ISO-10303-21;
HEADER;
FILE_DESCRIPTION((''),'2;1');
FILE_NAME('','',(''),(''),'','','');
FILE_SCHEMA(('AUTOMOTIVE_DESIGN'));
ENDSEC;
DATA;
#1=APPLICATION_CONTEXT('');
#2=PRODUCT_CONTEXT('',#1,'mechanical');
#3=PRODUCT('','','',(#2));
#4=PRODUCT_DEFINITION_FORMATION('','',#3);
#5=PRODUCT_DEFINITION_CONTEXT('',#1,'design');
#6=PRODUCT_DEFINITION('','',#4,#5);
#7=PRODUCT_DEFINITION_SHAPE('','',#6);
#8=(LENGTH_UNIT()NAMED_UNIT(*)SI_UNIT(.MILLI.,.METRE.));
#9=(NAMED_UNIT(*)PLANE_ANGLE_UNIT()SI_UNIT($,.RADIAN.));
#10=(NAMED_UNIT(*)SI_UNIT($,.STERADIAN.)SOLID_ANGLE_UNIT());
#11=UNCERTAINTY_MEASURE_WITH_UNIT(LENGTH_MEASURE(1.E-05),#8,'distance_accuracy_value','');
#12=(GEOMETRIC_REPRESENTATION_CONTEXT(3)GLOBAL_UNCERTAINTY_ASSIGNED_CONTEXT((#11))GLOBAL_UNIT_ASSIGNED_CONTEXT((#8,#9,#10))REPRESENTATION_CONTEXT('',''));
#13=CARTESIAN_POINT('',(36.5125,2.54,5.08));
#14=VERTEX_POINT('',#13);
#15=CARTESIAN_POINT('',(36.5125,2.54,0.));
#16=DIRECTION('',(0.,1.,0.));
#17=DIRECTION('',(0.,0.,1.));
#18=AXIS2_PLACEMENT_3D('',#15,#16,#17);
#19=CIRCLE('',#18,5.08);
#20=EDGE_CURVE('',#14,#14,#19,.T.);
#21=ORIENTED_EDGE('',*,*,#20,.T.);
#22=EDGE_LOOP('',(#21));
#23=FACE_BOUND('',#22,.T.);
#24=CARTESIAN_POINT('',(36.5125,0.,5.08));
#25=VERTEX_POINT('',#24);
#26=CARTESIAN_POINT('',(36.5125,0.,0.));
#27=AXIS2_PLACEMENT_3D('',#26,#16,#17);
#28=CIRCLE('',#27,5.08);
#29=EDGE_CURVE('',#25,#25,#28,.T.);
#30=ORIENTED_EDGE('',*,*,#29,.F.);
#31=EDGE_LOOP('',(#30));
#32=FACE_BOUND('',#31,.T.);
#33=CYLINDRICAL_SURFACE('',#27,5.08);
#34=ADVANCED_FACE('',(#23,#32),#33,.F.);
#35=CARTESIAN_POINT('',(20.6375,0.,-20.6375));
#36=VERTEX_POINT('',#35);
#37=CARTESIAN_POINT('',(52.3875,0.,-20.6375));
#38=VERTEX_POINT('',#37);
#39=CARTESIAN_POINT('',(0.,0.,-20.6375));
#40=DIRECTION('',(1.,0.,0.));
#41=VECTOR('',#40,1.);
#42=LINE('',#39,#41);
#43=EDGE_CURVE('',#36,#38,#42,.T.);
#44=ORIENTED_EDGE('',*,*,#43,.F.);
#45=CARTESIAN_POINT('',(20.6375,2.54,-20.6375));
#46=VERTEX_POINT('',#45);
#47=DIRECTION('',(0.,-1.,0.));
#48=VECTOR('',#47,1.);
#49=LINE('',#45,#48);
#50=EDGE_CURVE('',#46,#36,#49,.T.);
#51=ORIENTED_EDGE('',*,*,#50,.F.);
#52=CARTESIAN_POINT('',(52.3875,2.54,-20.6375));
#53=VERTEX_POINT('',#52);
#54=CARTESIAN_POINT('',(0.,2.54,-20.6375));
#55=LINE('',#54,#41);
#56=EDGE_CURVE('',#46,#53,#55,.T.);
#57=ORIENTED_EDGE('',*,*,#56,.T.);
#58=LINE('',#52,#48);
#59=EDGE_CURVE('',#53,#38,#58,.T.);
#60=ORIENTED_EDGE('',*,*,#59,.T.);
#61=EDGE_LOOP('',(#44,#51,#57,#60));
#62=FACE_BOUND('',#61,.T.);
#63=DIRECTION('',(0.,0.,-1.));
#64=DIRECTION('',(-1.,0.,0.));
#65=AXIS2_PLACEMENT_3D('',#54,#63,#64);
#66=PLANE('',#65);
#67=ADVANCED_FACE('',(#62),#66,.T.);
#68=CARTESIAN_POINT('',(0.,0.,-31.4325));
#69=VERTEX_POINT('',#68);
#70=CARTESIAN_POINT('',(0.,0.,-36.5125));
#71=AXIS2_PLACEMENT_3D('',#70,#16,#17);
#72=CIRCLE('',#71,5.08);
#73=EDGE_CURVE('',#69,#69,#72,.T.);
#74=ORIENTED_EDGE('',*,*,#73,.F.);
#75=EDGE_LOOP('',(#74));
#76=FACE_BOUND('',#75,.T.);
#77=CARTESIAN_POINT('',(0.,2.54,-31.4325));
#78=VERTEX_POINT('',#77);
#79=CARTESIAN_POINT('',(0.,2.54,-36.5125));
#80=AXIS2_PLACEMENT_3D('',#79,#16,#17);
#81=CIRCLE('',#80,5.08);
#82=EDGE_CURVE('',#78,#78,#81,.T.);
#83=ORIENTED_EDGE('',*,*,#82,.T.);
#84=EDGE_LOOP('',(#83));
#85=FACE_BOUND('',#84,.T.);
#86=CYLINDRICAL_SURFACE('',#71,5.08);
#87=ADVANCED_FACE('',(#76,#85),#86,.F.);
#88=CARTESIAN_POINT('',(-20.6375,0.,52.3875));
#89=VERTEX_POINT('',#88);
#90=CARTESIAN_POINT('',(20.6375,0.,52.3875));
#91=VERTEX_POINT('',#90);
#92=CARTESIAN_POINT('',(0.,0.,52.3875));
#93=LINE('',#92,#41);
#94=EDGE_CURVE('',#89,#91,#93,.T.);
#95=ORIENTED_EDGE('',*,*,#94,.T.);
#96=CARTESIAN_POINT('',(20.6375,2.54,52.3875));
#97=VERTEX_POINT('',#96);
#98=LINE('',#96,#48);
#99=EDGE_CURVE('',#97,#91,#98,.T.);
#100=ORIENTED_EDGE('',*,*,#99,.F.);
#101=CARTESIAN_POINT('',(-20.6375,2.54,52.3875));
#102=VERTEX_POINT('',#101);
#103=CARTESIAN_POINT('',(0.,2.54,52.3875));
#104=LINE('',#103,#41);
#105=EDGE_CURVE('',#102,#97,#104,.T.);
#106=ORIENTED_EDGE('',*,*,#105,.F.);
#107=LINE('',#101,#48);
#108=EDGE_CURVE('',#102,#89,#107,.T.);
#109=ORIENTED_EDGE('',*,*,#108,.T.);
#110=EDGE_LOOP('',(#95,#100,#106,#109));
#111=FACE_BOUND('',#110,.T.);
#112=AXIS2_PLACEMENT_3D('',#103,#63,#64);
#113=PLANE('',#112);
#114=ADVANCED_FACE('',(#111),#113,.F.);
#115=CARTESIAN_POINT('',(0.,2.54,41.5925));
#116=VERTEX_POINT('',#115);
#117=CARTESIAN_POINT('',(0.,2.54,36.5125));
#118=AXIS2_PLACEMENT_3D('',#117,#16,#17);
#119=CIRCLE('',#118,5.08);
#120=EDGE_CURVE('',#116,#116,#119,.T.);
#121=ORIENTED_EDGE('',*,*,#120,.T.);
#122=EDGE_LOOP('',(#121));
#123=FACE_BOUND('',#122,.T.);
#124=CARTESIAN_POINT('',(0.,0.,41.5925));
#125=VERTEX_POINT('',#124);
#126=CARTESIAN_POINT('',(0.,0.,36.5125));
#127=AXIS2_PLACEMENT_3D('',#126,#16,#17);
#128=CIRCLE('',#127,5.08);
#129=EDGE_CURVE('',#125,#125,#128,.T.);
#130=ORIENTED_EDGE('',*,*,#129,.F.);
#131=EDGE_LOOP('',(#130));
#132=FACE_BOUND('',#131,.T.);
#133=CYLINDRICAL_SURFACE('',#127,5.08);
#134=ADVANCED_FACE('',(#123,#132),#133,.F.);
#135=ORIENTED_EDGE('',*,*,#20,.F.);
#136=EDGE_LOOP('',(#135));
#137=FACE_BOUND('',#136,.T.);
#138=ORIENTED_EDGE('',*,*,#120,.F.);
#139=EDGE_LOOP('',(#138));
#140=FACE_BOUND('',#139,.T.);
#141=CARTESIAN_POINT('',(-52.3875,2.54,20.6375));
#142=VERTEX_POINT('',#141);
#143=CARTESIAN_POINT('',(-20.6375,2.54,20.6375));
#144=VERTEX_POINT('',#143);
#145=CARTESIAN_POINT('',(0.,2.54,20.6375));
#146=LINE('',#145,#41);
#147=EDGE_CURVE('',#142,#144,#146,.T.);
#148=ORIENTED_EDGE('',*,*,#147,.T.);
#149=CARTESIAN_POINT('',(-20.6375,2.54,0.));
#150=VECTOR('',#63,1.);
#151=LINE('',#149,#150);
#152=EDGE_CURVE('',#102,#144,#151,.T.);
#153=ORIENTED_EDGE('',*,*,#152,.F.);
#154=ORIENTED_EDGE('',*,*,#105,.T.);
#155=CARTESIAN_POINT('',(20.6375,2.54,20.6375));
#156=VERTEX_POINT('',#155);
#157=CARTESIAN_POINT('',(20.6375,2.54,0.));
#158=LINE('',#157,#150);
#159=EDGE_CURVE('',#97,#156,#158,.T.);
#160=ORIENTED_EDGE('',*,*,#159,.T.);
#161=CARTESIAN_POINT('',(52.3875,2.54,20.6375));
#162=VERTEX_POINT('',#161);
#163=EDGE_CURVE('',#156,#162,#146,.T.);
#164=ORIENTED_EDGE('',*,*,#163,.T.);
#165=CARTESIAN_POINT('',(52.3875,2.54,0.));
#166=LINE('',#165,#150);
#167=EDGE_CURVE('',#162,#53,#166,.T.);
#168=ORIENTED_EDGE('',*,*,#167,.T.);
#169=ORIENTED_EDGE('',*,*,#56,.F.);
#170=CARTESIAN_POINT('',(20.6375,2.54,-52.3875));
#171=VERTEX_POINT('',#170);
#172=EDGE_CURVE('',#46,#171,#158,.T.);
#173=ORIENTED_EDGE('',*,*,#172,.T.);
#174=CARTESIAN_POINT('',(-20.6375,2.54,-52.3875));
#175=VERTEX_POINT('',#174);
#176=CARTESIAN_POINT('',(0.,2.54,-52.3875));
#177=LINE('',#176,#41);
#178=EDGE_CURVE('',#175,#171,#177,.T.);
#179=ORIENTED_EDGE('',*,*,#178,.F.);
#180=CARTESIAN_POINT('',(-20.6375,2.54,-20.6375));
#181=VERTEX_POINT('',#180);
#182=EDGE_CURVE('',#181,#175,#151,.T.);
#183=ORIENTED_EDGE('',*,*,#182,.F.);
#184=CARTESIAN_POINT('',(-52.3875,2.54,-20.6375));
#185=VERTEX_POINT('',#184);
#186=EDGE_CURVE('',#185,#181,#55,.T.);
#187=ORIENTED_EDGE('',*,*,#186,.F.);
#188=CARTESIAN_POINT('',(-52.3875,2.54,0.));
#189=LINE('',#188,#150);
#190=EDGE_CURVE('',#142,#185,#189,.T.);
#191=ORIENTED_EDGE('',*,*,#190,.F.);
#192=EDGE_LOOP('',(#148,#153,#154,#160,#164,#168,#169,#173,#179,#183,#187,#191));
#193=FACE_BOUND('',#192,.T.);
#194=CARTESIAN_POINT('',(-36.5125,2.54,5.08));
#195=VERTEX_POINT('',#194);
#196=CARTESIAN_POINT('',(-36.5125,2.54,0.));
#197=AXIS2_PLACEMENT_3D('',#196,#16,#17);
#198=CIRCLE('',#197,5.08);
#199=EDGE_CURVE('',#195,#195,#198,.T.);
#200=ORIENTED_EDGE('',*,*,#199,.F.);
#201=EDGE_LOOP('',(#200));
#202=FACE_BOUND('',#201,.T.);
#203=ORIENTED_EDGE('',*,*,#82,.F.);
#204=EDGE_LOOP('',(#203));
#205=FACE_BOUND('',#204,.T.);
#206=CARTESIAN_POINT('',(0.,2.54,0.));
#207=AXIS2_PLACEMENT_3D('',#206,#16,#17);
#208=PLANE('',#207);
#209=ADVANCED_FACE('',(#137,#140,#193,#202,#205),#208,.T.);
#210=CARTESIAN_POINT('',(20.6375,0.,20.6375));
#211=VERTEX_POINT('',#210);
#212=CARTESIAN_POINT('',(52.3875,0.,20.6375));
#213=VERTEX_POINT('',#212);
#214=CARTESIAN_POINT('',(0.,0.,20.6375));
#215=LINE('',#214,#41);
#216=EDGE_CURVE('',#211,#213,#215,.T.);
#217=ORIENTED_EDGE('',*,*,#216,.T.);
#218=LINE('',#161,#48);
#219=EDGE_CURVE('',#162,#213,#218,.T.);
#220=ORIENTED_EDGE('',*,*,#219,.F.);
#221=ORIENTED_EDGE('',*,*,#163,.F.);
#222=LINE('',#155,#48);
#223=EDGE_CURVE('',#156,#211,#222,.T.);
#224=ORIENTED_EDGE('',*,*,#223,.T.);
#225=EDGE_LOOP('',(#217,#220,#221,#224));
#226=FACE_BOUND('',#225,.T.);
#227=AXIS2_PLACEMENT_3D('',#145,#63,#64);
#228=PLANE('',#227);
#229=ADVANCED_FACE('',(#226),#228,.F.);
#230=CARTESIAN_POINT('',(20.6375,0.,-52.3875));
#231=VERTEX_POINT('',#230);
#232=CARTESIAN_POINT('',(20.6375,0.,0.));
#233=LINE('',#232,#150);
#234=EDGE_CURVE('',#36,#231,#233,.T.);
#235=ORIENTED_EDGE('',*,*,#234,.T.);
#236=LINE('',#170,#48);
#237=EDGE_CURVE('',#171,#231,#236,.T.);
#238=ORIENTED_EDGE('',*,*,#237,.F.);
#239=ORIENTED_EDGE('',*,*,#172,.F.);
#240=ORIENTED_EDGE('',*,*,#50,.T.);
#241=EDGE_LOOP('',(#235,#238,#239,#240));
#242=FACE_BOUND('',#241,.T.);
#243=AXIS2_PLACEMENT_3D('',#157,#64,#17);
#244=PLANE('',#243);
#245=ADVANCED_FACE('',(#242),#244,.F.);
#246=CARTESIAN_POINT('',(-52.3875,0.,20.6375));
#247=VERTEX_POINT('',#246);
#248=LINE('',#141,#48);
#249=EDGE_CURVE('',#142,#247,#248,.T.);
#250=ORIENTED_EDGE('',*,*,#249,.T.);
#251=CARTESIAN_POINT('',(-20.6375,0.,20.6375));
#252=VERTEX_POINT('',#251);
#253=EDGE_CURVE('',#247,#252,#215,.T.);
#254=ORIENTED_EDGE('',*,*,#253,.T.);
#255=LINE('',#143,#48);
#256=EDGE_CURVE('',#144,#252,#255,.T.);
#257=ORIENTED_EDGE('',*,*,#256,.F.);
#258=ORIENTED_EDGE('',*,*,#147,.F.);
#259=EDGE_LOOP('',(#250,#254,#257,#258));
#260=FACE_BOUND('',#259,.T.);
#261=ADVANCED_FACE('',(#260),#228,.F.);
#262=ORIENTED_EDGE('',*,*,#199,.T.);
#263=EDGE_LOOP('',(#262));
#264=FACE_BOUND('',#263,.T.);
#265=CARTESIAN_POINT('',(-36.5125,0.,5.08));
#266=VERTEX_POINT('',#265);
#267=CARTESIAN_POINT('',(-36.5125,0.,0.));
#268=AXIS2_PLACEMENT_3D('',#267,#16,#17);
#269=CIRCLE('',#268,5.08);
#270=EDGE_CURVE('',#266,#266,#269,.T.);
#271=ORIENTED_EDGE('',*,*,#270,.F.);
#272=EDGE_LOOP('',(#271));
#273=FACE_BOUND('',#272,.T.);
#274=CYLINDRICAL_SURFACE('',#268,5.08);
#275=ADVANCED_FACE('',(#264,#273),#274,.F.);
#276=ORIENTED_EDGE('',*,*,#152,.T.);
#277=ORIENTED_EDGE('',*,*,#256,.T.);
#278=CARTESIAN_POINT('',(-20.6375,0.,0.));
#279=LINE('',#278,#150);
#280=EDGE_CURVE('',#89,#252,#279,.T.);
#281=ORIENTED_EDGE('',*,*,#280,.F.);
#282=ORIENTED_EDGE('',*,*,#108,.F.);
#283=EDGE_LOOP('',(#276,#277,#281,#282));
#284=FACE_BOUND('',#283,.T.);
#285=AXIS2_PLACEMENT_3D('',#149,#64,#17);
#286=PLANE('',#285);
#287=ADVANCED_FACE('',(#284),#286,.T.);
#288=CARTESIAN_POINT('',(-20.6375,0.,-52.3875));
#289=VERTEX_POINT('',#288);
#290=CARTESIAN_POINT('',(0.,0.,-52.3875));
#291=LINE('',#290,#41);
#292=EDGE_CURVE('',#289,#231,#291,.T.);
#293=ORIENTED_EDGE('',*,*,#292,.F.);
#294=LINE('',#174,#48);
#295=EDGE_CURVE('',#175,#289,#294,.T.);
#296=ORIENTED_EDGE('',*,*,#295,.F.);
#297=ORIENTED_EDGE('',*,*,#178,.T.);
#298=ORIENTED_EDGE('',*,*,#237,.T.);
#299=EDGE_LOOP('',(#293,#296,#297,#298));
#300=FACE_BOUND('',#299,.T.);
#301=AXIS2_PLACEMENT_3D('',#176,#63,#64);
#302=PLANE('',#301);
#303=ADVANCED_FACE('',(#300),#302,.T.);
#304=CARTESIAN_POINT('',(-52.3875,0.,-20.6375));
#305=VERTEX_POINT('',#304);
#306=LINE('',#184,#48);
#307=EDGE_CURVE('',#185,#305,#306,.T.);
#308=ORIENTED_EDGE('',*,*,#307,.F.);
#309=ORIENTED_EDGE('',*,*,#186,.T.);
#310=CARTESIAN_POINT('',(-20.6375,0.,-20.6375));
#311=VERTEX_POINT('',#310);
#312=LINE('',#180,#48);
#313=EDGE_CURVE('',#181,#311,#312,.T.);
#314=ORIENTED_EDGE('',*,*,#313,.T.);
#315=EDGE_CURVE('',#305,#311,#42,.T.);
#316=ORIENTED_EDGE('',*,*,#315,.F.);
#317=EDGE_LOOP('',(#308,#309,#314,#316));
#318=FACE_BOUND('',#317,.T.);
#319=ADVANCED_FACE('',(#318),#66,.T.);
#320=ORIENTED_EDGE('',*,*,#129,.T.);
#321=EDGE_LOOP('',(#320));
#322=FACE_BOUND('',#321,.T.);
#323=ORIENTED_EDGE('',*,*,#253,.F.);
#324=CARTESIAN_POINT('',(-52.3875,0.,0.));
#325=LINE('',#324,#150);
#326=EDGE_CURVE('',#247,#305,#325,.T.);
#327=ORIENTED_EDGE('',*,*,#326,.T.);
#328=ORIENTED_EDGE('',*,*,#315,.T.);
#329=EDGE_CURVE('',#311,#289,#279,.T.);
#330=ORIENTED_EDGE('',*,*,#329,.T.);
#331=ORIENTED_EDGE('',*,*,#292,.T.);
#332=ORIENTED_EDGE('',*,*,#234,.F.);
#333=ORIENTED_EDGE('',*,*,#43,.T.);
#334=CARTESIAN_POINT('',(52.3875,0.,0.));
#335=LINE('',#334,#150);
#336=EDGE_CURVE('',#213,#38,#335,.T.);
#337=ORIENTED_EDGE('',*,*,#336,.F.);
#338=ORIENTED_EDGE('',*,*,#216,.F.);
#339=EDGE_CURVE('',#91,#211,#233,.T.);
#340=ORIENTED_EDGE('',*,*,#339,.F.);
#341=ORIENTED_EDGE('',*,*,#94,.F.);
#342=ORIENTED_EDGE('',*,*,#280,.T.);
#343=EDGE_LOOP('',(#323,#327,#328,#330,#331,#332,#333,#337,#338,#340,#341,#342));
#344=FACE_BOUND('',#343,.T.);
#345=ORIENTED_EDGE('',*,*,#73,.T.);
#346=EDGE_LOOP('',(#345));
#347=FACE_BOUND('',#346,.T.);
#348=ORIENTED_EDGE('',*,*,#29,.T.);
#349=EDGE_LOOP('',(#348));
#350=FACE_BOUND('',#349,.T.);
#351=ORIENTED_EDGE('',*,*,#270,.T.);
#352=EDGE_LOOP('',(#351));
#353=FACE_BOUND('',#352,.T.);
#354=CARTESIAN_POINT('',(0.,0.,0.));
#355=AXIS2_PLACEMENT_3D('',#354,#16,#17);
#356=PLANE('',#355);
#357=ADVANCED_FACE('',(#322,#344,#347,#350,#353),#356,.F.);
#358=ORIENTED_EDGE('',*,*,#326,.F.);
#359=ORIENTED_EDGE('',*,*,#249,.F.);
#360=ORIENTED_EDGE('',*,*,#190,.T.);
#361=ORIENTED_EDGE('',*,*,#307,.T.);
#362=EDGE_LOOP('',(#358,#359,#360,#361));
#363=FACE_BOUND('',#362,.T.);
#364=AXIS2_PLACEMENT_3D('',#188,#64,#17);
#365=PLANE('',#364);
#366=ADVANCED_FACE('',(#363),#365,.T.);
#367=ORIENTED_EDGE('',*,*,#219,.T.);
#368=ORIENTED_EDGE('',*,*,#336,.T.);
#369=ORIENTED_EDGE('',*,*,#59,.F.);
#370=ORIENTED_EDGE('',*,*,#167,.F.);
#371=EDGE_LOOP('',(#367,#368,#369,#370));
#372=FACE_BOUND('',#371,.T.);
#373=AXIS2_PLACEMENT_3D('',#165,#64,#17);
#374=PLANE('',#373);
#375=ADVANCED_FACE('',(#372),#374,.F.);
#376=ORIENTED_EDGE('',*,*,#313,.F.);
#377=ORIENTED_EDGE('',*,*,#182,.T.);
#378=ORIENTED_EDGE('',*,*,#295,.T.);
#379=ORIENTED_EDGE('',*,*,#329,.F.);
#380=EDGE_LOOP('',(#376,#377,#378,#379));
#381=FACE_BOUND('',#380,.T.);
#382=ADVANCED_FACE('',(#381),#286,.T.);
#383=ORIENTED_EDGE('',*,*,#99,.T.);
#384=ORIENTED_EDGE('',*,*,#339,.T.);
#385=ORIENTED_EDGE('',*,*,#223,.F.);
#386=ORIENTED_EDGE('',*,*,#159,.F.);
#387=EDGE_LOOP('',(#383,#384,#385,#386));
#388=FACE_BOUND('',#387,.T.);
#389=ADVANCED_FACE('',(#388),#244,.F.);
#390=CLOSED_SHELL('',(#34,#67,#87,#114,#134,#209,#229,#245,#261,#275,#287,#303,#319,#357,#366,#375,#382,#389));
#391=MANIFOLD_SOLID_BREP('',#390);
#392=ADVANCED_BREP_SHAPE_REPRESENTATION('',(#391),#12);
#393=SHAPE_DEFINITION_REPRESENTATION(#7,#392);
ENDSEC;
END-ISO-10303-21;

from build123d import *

# Parameters (mm, degrees)
SKETCH1_W           = 31.75
SKETCH1_H           = 41.275
SKETCH1_W_2         = 41.275
SKETCH1_H_2         = 31.75
BOSS_EXTRUDE1_DEPTH = 2.54
SKETCH2_R           = 5.08
CUT_EXTRUDE1_DEPTH  = 2.54


with BuildPart() as part:
    # Sketch1 → Boss-Extrude1 (new body)
    with BuildSketch(Plane(origin=(0, 0, 0), x_dir=(1, 0, 0), z_dir=(0, 1, 0))):
        with Locations((-36.5125, 0)):
            Rectangle(SKETCH1_W, SKETCH1_H)
        Rectangle(SKETCH1_W_2, SKETCH1_H)
        with Locations((0, -36.5125)):
            Rectangle(SKETCH1_W_2, SKETCH1_H_2)
        with Locations((0, 36.5125)):
            Rectangle(SKETCH1_W_2, SKETCH1_H_2)
        with Locations((36.5125, 0)):
            Rectangle(SKETCH1_W, SKETCH1_H)
    extrude(amount=BOSS_EXTRUDE1_DEPTH)

    # Sketch2 → Cut-Extrude1 (cut)
    with BuildSketch(Plane(origin=(0, 2.54, 0), x_dir=(1, 0, 0), z_dir=(0, 1, 0))):
        with Locations((0, -36.5125)):
            Circle(SKETCH2_R)
        with Locations((-36.5125, 0)):
            Circle(SKETCH2_R)
        with Locations((0, 36.5125)):
            Circle(SKETCH2_R)
        with Locations((36.5125, 0)):
            Circle(SKETCH2_R)
    extrude(amount=-CUT_EXTRUDE1_DEPTH, mode=Mode.SUBTRACT)


solid = part.part
